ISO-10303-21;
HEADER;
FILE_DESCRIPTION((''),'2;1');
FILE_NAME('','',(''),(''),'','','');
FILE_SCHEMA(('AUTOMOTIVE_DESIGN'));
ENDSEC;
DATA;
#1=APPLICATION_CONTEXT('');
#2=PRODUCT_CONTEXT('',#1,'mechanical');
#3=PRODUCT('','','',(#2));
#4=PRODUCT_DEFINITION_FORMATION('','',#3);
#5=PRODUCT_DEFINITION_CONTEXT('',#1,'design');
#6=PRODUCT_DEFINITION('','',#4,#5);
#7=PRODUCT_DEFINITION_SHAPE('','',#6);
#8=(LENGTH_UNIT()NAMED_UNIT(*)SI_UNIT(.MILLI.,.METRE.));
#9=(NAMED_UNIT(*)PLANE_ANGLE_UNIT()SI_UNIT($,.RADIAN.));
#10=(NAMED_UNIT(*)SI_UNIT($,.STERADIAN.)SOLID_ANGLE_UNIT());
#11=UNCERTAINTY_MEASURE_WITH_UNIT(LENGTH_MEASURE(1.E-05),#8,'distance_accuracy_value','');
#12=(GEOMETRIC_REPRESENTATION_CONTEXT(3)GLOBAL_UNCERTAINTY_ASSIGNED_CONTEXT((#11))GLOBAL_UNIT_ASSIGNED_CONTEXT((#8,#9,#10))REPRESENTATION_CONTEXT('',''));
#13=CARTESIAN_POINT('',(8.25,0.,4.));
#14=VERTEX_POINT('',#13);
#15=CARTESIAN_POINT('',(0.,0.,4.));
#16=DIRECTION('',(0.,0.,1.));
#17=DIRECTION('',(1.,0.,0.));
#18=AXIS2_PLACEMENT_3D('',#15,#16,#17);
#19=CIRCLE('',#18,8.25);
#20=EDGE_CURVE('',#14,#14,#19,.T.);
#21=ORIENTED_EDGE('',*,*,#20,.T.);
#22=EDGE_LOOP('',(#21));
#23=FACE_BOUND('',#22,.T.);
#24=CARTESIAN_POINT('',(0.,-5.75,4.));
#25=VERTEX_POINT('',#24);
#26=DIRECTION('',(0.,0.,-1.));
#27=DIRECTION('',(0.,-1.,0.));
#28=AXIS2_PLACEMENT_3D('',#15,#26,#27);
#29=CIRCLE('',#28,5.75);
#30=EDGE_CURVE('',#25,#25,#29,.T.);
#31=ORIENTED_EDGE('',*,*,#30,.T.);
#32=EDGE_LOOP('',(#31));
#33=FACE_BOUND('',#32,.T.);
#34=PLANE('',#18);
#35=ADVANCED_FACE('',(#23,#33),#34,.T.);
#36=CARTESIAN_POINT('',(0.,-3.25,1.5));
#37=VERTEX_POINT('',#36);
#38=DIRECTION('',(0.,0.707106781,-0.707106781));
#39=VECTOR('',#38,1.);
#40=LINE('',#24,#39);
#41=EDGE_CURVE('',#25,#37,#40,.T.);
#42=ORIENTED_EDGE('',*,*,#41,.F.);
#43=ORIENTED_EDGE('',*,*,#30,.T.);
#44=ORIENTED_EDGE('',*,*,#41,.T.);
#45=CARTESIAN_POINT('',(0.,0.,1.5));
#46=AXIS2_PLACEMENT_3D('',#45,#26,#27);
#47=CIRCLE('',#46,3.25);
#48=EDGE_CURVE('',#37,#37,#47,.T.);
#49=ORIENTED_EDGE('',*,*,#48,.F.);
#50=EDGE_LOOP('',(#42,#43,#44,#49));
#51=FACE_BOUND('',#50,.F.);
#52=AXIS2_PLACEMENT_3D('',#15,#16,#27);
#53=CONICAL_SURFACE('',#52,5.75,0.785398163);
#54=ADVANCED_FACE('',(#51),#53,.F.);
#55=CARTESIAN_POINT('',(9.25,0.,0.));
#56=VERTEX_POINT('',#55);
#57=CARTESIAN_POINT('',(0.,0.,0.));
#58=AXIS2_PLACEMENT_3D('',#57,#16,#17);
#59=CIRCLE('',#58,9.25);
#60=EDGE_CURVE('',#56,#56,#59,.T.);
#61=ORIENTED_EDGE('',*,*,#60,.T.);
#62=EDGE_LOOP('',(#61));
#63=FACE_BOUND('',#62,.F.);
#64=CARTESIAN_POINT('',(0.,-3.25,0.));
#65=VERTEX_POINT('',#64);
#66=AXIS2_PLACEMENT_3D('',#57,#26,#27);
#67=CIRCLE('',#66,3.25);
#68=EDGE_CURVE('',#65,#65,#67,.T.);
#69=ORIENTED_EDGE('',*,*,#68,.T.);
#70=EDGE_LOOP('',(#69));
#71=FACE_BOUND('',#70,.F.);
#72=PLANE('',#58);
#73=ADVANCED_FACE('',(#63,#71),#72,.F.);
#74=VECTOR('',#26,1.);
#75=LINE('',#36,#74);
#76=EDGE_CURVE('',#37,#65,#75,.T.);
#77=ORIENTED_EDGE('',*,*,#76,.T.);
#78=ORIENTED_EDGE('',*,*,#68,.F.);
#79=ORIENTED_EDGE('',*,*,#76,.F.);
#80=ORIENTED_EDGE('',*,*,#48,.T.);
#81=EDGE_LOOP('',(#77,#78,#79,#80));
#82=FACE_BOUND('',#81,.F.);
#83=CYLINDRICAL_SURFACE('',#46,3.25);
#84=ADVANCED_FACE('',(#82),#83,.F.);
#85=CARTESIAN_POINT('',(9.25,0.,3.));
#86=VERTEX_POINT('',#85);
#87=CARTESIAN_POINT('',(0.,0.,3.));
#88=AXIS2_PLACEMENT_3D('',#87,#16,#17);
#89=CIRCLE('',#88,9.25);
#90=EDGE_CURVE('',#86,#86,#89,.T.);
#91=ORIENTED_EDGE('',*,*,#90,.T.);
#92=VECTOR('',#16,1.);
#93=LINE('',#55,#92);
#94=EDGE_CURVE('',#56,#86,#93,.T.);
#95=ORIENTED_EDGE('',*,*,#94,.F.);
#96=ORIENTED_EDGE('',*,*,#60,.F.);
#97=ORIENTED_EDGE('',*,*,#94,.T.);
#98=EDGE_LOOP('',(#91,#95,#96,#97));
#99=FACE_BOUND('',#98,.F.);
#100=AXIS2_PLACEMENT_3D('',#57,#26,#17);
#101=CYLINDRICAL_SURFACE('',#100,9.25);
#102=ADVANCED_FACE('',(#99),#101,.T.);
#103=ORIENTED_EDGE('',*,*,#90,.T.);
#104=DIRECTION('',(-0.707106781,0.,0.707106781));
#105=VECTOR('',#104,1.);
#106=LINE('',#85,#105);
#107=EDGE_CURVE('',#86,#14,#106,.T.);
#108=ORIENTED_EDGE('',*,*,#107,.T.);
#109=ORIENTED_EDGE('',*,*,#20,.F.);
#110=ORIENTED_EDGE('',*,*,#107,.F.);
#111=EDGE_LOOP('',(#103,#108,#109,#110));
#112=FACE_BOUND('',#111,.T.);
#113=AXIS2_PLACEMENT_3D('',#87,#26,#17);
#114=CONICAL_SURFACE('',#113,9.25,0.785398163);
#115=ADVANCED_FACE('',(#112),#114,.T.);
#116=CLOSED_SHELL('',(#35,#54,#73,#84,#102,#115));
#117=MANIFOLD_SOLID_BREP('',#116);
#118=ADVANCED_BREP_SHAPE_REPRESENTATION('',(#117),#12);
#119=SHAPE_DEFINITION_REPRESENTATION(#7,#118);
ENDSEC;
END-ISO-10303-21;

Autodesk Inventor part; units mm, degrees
ref_plane "YZ Plane" through (0, 0, 0) normal (1, 0, 0) x (0, 1, 0)
ref_plane "XZ Plane" through (0, 0, 0) normal (0, 1, 0) x (-1, 0, 0)
ref_plane "XY Plane" through (0, 0, 0) normal (0, 0, 1) x (1, 0, 0)
sketch "Sketch1" plane through (0, 0, 0) normal (0, 0, 1) x (1, 0, 0)
  circle A0 centre (0, 0) radius 9.25
  dimension "d0" = 18.5
extrude "Extrusion1" add sketch "Sketch1" along normal blind 4
sketch "Sketch2" plane through (0, 0, 4) normal (0, 0, 1) x (1, 0, 0)
  circle A0 centre (0, 0) radius 9.25 projected
hole "Hole1" at (0, 0, 4) direction (0, 0, -1) diameter 6.5 depth 4 tip angle 118 countersink diameter 11.5 countersink angle 90
chamfer "Chamfer1" distance 1 angle 45 1 edges at (-9.25, 0, 4)
properties part number "ARRUELA ESPECIAL DAS RODAS(31)" material "Carbon Steel"
